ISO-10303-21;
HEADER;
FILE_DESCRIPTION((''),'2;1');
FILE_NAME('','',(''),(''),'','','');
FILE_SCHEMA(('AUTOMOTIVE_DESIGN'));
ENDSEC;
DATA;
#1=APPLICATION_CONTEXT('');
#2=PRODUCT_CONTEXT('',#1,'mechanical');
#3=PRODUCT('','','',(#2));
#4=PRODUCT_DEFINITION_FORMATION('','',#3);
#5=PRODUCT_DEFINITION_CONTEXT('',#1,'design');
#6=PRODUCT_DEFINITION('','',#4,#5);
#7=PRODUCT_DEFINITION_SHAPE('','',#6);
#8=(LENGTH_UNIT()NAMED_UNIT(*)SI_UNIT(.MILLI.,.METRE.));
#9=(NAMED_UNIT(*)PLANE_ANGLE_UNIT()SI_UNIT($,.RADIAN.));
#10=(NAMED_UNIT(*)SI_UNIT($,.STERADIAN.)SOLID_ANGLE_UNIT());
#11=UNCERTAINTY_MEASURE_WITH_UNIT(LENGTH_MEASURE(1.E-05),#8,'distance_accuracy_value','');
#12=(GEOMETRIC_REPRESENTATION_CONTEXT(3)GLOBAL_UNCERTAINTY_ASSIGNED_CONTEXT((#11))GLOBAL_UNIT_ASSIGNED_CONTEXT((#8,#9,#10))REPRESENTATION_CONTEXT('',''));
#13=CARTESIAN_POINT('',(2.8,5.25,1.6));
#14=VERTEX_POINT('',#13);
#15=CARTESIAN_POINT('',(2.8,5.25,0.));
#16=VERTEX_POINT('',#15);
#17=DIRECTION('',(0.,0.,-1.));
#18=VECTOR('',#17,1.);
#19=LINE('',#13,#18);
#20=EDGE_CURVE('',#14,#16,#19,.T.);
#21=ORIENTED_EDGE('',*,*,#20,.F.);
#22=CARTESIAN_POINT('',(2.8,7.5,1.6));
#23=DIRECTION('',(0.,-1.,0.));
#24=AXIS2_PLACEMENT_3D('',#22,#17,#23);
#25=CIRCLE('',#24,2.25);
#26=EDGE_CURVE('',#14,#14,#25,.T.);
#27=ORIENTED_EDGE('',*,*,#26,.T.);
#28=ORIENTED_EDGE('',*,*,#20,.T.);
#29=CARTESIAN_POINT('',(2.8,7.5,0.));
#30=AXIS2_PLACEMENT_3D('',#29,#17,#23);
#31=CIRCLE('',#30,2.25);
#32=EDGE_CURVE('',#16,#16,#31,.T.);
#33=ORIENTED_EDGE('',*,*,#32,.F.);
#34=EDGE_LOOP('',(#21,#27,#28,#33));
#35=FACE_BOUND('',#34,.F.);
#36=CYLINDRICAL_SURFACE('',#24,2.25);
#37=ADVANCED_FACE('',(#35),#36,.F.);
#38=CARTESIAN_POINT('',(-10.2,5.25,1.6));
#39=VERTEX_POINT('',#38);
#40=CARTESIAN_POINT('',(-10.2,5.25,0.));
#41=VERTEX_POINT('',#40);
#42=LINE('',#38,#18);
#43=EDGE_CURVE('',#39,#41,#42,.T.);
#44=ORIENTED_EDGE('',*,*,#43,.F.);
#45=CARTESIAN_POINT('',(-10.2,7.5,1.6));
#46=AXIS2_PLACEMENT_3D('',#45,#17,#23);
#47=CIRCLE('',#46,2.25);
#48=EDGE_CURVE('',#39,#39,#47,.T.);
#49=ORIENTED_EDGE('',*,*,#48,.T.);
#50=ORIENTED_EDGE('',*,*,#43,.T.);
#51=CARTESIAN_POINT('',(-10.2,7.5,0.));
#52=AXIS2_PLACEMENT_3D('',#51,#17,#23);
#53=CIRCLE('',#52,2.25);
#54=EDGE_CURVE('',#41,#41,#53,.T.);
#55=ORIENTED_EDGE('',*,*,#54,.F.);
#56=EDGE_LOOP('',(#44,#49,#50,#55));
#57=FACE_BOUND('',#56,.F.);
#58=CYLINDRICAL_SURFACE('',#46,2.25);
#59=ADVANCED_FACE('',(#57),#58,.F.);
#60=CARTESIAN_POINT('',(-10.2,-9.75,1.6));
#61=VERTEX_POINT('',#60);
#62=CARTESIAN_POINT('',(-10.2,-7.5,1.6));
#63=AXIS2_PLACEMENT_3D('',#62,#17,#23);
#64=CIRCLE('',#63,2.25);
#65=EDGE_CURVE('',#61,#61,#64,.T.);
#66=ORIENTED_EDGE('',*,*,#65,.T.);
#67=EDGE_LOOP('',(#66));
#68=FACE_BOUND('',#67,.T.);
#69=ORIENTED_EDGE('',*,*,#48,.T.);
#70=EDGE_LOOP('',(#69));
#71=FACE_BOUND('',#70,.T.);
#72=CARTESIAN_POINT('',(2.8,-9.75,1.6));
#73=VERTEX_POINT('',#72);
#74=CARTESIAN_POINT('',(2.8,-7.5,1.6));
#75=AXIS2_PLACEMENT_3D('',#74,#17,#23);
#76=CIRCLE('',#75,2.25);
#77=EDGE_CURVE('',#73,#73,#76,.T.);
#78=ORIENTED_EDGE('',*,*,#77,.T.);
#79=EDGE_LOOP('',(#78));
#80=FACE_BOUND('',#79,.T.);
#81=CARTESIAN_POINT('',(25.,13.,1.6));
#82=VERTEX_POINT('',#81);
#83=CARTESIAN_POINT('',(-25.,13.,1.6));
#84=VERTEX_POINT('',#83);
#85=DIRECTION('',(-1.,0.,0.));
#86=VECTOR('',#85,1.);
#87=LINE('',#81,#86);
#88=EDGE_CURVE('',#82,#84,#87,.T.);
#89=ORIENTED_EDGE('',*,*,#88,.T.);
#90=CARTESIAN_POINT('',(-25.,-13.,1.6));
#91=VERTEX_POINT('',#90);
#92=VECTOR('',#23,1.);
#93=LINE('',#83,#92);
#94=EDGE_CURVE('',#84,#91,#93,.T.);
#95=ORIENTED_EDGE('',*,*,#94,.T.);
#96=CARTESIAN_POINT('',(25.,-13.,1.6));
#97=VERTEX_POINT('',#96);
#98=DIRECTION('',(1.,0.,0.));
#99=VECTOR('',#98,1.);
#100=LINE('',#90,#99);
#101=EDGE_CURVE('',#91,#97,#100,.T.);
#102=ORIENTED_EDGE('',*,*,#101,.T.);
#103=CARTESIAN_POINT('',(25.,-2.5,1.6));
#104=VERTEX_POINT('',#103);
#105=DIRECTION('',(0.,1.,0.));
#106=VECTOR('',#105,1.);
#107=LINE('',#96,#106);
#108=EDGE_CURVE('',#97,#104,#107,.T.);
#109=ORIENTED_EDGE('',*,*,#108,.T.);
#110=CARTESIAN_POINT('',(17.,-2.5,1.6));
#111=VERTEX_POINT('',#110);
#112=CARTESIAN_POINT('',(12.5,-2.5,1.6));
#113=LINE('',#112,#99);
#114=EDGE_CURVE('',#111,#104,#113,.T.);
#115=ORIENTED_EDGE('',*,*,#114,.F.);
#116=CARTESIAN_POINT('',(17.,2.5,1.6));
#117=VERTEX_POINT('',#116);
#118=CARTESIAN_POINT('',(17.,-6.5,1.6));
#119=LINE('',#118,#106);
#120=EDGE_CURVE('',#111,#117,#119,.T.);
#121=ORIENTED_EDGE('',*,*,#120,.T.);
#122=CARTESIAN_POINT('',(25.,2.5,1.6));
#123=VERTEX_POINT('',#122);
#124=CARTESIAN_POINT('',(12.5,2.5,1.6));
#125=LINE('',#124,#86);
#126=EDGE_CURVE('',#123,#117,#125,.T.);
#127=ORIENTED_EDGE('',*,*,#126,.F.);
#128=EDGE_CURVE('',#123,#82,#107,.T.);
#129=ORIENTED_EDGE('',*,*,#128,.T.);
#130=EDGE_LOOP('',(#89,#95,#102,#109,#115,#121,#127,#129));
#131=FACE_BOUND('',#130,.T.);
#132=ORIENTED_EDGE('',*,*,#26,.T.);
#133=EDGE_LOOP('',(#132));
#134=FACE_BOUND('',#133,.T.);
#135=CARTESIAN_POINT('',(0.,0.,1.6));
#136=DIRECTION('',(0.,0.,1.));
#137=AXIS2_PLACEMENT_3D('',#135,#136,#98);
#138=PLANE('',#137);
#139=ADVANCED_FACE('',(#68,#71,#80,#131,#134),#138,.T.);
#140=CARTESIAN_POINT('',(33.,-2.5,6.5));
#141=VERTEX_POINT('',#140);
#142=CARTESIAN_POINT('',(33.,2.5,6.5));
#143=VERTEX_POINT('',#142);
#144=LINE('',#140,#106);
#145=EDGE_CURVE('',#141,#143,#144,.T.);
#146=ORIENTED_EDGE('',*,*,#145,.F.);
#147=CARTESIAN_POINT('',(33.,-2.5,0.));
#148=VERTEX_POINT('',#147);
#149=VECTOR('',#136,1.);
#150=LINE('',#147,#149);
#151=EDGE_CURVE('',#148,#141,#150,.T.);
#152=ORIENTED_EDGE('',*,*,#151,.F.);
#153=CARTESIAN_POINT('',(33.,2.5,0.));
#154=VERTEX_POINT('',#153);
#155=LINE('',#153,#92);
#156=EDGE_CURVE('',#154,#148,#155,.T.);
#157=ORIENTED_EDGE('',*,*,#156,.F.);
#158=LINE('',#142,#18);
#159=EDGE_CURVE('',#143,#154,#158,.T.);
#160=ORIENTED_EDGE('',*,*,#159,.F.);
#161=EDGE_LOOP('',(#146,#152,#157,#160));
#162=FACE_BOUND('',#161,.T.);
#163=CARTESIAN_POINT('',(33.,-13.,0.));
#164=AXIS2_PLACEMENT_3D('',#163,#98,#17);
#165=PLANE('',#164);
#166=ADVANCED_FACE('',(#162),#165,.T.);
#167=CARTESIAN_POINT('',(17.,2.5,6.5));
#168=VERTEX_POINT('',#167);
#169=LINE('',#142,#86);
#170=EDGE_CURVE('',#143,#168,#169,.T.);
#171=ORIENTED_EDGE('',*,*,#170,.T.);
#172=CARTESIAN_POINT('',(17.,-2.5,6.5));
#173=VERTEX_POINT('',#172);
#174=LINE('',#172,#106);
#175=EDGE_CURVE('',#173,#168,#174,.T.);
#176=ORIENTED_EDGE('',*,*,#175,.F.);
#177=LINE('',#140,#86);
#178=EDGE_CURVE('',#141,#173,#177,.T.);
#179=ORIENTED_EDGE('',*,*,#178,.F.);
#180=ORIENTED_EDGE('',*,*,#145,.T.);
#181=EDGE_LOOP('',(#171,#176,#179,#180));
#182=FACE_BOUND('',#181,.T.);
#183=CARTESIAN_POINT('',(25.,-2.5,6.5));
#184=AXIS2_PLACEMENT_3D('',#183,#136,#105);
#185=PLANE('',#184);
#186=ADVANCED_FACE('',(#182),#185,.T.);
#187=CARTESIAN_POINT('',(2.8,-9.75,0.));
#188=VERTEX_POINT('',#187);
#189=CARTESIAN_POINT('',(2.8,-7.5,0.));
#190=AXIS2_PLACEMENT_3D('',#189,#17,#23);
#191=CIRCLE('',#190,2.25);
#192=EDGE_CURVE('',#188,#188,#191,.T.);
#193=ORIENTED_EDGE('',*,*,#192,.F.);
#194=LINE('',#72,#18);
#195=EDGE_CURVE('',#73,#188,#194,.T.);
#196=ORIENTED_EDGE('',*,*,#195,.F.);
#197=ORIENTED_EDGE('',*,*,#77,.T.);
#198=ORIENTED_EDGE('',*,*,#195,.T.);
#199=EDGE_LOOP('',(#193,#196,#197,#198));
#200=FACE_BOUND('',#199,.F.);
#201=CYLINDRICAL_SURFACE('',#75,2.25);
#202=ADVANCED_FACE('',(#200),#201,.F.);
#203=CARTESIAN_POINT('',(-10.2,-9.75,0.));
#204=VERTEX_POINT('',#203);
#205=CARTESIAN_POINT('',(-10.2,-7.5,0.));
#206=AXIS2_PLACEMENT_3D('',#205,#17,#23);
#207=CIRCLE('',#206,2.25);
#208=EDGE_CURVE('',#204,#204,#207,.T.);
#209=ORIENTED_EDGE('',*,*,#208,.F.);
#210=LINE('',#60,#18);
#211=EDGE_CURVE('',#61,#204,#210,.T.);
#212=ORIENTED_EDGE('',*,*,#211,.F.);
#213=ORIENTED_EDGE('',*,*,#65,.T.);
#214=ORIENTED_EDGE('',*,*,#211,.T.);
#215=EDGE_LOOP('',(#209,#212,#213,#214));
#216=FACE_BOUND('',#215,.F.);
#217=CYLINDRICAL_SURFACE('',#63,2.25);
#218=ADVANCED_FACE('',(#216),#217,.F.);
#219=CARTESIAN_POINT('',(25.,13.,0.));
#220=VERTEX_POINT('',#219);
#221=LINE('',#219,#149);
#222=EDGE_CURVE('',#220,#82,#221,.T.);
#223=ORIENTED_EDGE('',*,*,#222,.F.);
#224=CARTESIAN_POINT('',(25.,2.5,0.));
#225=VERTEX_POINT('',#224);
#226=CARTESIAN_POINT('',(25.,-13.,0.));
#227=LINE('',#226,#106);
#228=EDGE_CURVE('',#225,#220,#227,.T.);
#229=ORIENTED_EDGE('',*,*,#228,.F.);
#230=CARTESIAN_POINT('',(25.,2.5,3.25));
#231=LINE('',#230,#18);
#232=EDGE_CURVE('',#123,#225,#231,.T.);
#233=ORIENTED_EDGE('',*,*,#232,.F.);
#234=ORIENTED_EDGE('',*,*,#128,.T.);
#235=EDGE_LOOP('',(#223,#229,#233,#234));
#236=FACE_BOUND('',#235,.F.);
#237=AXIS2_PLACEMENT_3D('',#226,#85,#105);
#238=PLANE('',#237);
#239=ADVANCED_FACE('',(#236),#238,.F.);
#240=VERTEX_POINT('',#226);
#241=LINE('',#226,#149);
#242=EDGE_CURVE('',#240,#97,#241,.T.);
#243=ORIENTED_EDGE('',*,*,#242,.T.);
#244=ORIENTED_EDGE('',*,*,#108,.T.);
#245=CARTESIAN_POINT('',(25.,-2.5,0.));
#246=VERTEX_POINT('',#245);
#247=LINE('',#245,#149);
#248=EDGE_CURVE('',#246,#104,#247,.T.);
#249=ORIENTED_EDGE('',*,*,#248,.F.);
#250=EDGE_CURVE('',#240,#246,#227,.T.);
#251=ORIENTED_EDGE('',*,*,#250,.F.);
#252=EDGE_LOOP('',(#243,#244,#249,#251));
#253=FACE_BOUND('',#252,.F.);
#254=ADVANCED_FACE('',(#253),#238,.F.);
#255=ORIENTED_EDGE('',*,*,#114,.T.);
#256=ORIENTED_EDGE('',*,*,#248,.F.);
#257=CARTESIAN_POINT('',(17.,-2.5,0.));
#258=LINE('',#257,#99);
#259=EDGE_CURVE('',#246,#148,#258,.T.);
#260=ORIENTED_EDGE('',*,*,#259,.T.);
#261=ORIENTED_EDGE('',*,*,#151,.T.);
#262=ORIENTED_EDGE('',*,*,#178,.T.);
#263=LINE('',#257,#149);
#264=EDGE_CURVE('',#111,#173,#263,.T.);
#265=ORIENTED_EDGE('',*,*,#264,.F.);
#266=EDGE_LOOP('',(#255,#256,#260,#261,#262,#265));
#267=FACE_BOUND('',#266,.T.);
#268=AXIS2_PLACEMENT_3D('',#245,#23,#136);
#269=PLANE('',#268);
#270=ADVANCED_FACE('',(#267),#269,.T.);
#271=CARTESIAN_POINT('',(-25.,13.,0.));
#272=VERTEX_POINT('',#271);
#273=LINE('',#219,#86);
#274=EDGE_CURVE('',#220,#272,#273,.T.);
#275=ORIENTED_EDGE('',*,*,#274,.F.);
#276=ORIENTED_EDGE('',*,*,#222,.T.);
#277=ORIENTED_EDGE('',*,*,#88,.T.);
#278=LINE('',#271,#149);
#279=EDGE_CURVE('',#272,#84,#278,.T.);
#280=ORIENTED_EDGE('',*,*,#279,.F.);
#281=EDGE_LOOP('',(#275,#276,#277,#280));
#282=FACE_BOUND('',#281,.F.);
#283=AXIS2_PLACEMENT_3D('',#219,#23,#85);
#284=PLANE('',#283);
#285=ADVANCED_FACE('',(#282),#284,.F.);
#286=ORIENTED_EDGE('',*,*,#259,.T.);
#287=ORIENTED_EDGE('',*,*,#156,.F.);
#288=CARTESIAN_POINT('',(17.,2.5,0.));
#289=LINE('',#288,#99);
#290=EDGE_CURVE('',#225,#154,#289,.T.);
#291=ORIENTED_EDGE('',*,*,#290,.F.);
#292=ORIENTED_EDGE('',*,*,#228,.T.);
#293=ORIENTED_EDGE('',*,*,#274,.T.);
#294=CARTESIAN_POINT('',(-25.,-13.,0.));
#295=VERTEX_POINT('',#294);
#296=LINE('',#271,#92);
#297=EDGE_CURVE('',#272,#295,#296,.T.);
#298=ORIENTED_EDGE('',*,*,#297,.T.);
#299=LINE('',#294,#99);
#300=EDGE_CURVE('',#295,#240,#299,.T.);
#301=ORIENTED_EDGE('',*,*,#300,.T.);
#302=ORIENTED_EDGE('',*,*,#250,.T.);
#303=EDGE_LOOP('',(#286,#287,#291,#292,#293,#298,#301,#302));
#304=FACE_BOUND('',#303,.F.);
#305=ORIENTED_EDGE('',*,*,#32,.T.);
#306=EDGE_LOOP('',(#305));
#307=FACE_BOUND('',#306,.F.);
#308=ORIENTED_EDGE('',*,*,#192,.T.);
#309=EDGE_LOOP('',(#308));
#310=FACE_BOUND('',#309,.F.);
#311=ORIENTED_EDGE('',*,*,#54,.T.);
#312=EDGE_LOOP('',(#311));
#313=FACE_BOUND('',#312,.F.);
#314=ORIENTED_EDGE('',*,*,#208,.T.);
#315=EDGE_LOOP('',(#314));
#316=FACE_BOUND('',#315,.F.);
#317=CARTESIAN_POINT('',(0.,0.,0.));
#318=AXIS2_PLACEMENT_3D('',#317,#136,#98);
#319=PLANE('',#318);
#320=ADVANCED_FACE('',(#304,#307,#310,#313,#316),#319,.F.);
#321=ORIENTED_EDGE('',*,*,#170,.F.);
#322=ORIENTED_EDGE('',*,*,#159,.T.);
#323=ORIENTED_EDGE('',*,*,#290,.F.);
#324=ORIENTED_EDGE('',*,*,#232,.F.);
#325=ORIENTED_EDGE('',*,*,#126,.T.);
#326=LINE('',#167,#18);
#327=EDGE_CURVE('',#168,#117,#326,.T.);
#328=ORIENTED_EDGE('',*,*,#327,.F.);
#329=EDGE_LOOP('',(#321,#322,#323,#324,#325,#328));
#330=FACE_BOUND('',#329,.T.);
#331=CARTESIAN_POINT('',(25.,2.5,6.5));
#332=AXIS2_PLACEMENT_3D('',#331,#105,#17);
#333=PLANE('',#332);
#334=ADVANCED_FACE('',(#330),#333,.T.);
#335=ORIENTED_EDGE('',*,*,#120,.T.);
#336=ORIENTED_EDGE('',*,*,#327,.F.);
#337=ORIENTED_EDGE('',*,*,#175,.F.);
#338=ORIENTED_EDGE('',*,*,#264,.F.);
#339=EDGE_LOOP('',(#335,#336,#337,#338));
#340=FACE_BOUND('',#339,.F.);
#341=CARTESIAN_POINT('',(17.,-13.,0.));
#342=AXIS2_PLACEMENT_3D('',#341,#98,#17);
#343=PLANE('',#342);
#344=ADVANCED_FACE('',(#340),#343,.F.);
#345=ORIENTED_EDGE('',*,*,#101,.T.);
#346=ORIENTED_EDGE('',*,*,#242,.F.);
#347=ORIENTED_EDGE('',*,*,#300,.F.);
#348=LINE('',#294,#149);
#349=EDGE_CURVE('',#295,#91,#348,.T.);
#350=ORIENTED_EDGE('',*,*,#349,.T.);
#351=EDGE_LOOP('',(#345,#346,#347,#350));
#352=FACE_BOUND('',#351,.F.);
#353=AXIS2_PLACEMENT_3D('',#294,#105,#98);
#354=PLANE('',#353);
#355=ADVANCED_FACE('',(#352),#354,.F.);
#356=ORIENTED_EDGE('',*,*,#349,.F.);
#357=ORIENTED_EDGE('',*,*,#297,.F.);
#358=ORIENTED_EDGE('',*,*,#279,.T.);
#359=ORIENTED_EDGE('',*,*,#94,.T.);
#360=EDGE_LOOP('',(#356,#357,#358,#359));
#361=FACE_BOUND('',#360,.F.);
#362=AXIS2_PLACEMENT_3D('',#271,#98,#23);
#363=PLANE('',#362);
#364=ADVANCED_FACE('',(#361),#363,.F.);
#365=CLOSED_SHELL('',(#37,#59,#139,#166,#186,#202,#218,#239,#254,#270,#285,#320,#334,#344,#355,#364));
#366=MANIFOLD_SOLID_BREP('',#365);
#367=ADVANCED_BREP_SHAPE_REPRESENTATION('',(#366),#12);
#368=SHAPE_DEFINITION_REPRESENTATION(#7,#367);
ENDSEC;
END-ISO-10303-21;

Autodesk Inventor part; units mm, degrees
ref_plane "YZ Plane" through (0, 0, 0) normal (1, 0, 0) x (0, 1, 0)
ref_plane "XZ Plane" through (0, 0, 0) normal (0, 1, 0) x (-1, 0, 0)
ref_plane "XY Plane" through (0, 0, 0) normal (0, 0, 1) x (1, 0, 0)
sketch "Sketch1" plane through (0, 0, 0) normal (0, 0, 1) x (1, 0, 0)
  line L0 (-25, -13) -> (25, -13)
  line L1 (25, -13) -> (25, 13)
  line L2 (25, 13) -> (-25, 13)
  line L3 (-25, 13) -> (-25, -13)
  line L4 (-25, -13) -> (25, 13) construction
  line L5 (25, -13) -> (-25, 13) construction
  point P0 (0, 0)
  dimension "d0" = 50
  dimension "d1" = 26
extrude "Extrusion1" add sketch "Sketch1" along normal blind 1.6
sketch "Sketch2" plane through (0, 0, 1.6) normal (0, 0, 1) x (1, 0, 0)
  line L0 (-10.2, -7.5) -> (2.8, -7.5) construction
  line L1 (2.8, -7.5) -> (2.8, 7.5) construction
  line L2 (2.8, 7.5) -> (-10.2, 7.5) construction
  line L3 (-10.2, 7.5) -> (-10.2, -7.5) construction
  line L4 (-25, 13) -> (-25, -13) construction
  point P0 (0, 0)
  point P1 (2.8, 0)
  dimension "d4" = 13
  dimension "d5" = 15
  dimension "d6" = 14.8
hole "Hole1" at (-10.2, 7.5, 1.6) at (2.8, 7.5, 1.6) at (2.8, -7.5, 1.6) at (-10.2, -7.5, 1.6) direction (0, 0, -1) diameter 4.5 end through all clearance for "Countersunk Flat Head Screw DIN EN ISO 2009" size "M4" standard "DIN"
sketch "Sketch3" plane through (25, -13, 0) normal (1, 0, 0) x (0, 0, -1)
  line L0 (0, 10.5) -> (-6.5, 10.5)
  line L1 (-6.5, 10.5) -> (-6.5, 15.5)
  line L2 (-6.5, 15.5) -> (0, 15.5)
  line L3 (0, 15.5) -> (0, 10.5)
  line L4 (0, 0) -> (0, 26) projected
  point P0 (0, 13)
  point P1 (0, 13)
  point P2 (0, 13)
  point P3 (0, 13)
  dimension "d14" = 5
  dimension "d15" = 6.5
extrude "Extrusion2" add sketch "Sketch3" along normal mid plane 16
properties part number "IGBT_Platine"
